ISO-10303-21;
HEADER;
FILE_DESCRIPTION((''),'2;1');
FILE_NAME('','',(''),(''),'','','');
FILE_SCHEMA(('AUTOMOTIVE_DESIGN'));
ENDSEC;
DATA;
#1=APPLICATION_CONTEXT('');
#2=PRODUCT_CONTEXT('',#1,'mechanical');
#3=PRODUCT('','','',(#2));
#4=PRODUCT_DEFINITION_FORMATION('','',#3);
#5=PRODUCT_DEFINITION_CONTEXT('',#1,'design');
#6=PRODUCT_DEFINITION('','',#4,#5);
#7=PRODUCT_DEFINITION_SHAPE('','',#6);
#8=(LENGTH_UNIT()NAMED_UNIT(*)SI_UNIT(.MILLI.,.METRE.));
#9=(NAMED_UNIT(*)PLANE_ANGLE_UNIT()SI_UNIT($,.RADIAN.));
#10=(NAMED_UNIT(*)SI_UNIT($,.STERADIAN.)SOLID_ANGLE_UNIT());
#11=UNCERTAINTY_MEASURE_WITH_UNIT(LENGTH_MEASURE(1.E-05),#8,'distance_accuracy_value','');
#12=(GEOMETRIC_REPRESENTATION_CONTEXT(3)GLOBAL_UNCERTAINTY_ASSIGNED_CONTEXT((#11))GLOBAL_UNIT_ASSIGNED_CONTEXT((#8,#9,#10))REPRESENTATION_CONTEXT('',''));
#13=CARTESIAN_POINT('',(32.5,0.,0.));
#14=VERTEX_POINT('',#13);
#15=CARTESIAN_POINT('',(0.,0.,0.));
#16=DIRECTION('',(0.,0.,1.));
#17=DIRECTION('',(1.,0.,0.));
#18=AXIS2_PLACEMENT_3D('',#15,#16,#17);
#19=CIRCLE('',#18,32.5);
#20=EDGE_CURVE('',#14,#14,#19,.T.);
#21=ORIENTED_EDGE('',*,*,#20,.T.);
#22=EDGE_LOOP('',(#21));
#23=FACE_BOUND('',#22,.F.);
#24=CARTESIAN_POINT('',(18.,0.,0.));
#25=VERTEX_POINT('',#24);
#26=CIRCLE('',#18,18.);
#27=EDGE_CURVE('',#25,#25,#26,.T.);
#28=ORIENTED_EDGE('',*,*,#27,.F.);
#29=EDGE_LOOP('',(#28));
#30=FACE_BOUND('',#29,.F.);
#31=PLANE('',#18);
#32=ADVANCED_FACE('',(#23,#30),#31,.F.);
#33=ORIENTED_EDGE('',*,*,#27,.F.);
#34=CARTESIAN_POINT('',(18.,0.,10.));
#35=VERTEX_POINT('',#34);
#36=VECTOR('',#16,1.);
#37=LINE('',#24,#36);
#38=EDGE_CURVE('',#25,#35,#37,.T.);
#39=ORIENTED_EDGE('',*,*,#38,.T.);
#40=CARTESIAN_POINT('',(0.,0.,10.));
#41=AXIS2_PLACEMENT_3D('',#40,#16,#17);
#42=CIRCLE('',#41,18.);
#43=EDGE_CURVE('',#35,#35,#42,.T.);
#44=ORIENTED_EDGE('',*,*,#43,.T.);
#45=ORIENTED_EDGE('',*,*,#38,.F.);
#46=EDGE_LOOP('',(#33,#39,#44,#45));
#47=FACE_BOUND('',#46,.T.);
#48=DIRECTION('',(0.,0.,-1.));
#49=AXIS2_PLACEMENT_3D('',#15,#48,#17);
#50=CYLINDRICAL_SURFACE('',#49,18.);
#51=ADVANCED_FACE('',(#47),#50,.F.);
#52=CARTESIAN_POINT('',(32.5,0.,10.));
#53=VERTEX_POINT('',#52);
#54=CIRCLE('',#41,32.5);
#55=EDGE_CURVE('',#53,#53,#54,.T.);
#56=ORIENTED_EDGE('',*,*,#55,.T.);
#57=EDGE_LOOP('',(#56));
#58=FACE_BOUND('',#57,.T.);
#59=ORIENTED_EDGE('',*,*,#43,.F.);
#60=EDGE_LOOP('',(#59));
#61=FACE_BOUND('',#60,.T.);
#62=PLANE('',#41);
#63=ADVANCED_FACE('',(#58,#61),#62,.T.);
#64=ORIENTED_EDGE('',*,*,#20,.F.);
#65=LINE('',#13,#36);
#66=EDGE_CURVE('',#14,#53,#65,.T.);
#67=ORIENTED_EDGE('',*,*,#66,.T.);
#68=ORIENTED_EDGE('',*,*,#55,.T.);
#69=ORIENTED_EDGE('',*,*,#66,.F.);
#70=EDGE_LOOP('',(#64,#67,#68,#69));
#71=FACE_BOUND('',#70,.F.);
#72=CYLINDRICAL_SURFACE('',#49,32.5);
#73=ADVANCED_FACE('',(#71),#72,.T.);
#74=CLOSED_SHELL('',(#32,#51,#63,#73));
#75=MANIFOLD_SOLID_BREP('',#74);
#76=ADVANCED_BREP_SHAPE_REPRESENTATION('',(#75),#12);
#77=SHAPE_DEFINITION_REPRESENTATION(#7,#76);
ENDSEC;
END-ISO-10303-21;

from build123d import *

# Parameters (mm, degrees)
SKETCH_R   = 32.5
SKETCH_R_2 = 18
PAD_DEPTH  = 10


with BuildPart() as part:
    # Sketch → Pad (new body)
    with BuildSketch(Plane.XY):
        Circle(SKETCH_R)
        Circle(SKETCH_R_2, mode=Mode.SUBTRACT)
    extrude(amount=PAD_DEPTH)


solid = part.part
